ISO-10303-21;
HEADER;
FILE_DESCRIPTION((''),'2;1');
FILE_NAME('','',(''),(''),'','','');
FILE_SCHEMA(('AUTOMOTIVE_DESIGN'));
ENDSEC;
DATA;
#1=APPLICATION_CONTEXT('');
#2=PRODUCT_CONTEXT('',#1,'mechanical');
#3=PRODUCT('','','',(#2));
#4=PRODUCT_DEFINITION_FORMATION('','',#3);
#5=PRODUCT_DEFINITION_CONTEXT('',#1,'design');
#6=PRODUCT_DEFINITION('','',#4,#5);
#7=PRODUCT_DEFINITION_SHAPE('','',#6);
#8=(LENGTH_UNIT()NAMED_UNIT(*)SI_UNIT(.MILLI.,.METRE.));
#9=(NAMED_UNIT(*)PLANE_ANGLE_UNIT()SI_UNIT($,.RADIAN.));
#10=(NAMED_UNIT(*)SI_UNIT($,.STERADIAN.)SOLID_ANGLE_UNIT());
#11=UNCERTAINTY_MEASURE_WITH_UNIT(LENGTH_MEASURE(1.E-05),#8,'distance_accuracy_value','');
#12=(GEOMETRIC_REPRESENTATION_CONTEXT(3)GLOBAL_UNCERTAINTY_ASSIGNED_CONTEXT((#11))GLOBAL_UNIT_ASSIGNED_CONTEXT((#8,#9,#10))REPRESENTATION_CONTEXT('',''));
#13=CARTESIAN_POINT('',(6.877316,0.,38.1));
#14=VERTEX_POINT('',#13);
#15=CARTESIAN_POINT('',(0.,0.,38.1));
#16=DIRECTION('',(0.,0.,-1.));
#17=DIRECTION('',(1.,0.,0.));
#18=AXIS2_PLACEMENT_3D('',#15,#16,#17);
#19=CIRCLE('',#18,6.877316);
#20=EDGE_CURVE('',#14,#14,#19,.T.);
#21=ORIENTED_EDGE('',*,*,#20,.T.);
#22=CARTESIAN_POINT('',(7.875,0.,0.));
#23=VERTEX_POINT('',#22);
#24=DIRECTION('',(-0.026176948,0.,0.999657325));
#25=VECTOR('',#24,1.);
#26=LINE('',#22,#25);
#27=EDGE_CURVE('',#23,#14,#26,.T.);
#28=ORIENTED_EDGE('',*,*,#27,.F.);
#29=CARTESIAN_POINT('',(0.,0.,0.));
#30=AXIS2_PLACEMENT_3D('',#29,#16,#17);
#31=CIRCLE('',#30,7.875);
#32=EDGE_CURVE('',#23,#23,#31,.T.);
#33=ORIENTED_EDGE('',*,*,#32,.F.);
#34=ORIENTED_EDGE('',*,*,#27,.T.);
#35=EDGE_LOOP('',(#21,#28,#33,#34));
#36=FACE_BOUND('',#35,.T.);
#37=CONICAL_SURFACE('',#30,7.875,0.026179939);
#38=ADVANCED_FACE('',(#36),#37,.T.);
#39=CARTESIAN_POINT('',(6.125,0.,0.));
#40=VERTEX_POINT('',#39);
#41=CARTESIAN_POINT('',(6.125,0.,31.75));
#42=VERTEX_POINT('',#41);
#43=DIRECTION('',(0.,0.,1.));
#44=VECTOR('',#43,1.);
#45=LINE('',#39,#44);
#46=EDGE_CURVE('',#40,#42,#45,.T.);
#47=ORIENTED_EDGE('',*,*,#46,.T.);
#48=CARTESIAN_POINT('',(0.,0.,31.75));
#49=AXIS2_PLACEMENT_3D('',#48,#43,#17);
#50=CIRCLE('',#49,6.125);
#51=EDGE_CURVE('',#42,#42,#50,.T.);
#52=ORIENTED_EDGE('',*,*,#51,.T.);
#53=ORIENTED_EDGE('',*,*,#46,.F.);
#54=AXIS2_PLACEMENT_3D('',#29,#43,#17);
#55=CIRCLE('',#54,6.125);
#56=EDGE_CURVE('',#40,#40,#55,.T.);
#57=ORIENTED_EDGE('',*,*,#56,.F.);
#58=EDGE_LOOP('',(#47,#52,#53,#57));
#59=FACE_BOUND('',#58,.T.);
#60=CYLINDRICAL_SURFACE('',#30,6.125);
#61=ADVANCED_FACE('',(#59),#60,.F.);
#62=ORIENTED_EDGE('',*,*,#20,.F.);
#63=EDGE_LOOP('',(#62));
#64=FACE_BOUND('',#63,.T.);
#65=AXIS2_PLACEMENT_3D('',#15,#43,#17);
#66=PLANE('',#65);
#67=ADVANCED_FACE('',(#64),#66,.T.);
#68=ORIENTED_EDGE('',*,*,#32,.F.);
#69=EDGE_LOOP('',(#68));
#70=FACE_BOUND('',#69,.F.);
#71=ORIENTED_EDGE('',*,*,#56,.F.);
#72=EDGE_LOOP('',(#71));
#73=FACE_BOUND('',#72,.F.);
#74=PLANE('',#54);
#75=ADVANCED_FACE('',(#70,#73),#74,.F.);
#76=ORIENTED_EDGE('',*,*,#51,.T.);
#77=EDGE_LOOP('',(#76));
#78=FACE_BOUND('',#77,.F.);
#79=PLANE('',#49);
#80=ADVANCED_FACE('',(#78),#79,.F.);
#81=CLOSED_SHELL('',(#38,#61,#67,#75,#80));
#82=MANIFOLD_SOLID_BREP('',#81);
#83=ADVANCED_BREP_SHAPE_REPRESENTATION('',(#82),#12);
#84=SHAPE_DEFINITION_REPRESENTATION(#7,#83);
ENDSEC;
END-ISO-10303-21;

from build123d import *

# Parameters (mm, degrees)
F0_R     = 7.875
F0_R_2   = 6.125
F1_DEPTH = 38.1
F1_TAPER = 1.5
F2_DEPTH = 31.75


with BuildPart() as f1:
    # F0 (on Top) → F1 (new body)
    with BuildSketch(Plane.XY):
        Circle(F0_R)
        Circle(F0_R_2, mode=Mode.SUBTRACT)
        Circle(F0_R_2)
    extrude(amount=F1_DEPTH, taper=F1_TAPER)

    # F0 (on Top) → F2 (cut)
    with BuildSketch(Plane.XY):
        Circle(F0_R_2)
    extrude(amount=F2_DEPTH, mode=Mode.SUBTRACT)


solid = f1.part
